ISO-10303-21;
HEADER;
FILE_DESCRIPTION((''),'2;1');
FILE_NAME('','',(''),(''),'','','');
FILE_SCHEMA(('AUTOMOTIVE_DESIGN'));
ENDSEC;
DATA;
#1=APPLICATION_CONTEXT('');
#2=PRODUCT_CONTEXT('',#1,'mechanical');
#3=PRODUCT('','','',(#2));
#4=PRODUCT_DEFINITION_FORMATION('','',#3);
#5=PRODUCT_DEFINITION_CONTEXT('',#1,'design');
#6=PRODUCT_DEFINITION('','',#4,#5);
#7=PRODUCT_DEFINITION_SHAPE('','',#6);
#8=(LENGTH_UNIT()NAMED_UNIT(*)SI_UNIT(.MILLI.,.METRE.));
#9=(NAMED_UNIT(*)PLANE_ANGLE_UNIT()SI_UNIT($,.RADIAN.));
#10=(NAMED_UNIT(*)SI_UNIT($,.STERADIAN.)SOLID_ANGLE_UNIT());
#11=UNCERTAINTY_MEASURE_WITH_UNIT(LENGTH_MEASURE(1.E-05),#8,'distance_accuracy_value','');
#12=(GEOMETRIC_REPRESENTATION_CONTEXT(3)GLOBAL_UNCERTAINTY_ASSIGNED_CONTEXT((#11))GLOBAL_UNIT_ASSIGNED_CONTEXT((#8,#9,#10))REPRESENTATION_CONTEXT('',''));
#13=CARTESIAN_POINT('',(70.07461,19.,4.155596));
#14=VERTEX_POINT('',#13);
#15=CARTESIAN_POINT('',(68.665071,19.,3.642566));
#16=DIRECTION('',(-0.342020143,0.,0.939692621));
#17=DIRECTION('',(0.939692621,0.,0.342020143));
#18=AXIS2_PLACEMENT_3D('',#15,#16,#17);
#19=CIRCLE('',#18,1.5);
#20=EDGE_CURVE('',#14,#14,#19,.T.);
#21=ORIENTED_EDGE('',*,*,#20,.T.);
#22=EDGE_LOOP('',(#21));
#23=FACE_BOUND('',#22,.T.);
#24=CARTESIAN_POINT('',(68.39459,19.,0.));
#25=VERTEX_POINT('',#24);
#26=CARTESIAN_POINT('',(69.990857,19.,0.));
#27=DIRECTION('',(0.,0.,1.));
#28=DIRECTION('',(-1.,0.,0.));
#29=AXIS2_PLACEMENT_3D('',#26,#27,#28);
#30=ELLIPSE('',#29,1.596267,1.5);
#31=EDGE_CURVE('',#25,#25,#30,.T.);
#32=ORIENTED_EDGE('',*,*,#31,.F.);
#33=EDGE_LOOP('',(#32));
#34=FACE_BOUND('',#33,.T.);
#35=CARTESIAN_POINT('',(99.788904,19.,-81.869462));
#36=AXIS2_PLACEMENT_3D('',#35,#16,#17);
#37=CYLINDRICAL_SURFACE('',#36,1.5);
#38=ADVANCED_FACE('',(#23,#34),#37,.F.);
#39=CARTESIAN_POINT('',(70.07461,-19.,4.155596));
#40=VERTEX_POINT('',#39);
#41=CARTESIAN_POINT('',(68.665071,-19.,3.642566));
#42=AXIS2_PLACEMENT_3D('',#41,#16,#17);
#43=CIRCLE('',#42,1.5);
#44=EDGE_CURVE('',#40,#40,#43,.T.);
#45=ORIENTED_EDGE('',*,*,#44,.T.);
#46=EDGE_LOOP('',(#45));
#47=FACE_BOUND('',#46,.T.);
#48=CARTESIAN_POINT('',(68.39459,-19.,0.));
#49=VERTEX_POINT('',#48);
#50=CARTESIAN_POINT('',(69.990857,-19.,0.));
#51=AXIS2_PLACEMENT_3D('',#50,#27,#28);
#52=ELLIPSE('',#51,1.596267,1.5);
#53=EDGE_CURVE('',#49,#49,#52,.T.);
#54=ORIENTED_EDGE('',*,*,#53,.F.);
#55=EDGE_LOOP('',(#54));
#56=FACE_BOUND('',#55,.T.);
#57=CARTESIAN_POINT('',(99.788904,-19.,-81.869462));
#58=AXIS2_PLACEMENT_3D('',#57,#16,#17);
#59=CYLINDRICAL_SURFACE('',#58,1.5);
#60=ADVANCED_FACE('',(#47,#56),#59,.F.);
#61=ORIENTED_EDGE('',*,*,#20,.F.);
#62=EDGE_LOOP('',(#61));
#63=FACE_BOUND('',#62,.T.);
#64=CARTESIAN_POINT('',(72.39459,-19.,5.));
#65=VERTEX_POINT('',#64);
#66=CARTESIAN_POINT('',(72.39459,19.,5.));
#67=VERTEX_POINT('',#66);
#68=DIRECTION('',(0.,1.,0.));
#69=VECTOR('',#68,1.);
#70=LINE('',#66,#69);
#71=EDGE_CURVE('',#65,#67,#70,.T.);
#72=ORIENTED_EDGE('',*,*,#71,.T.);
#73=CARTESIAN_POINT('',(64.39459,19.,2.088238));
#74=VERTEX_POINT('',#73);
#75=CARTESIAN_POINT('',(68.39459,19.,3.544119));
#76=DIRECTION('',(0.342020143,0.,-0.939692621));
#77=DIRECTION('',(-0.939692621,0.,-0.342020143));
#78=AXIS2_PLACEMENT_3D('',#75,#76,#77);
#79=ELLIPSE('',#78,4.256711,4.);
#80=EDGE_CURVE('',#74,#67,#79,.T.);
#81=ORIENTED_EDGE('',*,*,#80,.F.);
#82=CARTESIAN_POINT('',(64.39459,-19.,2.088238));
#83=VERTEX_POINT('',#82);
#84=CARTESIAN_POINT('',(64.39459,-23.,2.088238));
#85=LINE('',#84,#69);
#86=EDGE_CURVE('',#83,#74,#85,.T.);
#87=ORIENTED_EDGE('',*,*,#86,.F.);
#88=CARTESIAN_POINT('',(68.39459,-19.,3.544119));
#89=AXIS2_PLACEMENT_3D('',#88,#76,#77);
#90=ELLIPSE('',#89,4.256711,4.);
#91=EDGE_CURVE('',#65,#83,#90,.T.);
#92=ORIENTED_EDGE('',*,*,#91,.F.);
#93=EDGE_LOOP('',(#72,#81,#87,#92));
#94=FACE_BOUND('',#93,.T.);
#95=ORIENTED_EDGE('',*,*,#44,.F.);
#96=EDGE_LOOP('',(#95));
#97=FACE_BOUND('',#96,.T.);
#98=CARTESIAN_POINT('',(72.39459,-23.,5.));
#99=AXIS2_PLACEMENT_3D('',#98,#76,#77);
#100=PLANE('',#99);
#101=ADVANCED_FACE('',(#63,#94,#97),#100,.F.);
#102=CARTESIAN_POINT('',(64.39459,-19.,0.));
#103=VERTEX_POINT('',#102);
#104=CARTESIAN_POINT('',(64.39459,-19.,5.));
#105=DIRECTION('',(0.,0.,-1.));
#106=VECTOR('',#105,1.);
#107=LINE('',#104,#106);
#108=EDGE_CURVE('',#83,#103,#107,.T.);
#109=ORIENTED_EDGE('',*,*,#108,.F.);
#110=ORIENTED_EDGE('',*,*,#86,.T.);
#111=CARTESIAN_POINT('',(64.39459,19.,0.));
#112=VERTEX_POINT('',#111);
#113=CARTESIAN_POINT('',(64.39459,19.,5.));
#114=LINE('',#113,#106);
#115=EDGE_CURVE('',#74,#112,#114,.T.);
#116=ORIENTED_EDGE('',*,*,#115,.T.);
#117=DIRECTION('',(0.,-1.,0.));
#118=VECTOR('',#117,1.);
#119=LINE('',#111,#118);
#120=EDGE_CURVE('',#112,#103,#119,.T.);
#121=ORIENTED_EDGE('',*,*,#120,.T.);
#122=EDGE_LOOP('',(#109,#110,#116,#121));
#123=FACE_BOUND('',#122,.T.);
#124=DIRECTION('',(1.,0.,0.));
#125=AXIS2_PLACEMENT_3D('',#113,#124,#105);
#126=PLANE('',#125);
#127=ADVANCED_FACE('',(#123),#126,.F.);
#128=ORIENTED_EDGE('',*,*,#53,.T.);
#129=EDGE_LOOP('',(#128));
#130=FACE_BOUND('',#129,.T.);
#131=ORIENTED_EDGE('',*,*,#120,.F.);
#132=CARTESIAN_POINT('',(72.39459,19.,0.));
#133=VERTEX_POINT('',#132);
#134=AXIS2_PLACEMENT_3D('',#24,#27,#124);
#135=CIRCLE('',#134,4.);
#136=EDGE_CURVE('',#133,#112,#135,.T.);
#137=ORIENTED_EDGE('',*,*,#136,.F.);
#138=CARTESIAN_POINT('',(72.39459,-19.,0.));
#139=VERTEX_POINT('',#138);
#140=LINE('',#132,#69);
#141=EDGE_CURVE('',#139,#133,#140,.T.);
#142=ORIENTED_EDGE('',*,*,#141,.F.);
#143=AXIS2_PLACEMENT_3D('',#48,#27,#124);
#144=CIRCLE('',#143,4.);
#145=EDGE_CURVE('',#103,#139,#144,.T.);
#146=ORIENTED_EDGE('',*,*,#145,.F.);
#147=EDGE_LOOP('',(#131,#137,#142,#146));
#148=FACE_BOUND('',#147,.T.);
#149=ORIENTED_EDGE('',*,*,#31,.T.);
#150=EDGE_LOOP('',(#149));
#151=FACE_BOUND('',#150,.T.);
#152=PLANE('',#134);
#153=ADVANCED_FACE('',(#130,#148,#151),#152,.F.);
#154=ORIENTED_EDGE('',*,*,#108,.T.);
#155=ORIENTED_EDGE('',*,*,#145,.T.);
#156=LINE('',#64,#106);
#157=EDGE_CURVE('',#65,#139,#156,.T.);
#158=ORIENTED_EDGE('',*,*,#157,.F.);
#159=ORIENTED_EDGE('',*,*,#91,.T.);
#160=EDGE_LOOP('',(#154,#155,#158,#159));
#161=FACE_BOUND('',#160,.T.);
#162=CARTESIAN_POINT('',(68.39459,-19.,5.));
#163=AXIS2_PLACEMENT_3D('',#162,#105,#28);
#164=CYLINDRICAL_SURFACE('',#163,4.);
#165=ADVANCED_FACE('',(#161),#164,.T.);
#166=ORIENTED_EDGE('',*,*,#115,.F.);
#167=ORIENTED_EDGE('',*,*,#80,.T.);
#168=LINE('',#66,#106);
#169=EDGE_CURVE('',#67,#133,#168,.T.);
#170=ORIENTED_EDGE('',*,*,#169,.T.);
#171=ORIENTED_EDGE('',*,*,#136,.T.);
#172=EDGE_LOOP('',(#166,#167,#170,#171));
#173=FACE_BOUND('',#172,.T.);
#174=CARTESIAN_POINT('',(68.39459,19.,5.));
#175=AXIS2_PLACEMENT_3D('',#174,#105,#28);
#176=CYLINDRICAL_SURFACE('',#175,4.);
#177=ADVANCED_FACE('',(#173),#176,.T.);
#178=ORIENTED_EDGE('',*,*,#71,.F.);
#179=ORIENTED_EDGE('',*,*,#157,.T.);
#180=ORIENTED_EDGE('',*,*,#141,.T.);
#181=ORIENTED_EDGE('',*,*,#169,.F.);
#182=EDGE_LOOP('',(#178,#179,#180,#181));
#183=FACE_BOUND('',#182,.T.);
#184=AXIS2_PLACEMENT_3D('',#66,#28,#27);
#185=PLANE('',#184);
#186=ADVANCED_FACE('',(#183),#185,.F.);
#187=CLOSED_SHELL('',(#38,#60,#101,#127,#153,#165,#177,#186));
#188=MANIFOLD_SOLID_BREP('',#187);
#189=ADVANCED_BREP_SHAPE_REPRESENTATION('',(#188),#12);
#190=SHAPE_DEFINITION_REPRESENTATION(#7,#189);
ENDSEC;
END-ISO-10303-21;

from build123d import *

# Parameters (mm, degrees)
BOSS_EXTRUDE1_DEPTH     = 5
CUT_EXTRUDE1_DEPTH      = 24
CUT_EXTRUDE1_DEPTH_BACK = 24
SKETCH3_R               = 1.5
CUT_EXTRUDE2_DEPTH      = 91


with BuildPart() as part:
    # Sketch1 → Boss-Extrude1 (new body)
    with BuildSketch(Plane.XY):
        with BuildLine():
            Line((72.394590039, 19), (72.394590039, -19))
            ThreePointArc((72.394590039, -19), (68.394590039, -23), (64.394590039, -19))
            Line((64.394590039, -19), (64.394590039, 19))
            ThreePointArc((64.394590039, 19), (68.394590039, 23), (72.394590039, 19))
        make_face()
    extrude(amount=BOSS_EXTRUDE1_DEPTH)

    # Sketch2 → Cut-Extrude1 (cut, two sides)
    with BuildSketch(Plane(origin=(0, 0, 0), x_dir=(1, 0, 0), z_dir=(0, 1, 0))) as cut_extrude1_sk:
        Polygon((72.394590039, -5), (64.394590039, -2.088238126), (64.394590039, -5), align=None)
    extrude(amount=CUT_EXTRUDE1_DEPTH, mode=Mode.SUBTRACT)
    extrude(cut_extrude1_sk.sketch, amount=-CUT_EXTRUDE1_DEPTH_BACK, mode=Mode.SUBTRACT)

    # Sketch3 → Cut-Extrude2 (cut)
    with BuildSketch(Plane(origin=(6.86158929, 0, -18.852061635), x_dir=(0.939692621, 0, 0.342020143), z_dir=(-0.342020143, 0, 0.939692621))):
        with Locations((65.769891562, 19)):
            Circle(SKETCH3_R)
        with Locations((65.769891562, -19)):
            Circle(SKETCH3_R)
    extrude(amount=-CUT_EXTRUDE2_DEPTH, mode=Mode.SUBTRACT)


solid = part.part
